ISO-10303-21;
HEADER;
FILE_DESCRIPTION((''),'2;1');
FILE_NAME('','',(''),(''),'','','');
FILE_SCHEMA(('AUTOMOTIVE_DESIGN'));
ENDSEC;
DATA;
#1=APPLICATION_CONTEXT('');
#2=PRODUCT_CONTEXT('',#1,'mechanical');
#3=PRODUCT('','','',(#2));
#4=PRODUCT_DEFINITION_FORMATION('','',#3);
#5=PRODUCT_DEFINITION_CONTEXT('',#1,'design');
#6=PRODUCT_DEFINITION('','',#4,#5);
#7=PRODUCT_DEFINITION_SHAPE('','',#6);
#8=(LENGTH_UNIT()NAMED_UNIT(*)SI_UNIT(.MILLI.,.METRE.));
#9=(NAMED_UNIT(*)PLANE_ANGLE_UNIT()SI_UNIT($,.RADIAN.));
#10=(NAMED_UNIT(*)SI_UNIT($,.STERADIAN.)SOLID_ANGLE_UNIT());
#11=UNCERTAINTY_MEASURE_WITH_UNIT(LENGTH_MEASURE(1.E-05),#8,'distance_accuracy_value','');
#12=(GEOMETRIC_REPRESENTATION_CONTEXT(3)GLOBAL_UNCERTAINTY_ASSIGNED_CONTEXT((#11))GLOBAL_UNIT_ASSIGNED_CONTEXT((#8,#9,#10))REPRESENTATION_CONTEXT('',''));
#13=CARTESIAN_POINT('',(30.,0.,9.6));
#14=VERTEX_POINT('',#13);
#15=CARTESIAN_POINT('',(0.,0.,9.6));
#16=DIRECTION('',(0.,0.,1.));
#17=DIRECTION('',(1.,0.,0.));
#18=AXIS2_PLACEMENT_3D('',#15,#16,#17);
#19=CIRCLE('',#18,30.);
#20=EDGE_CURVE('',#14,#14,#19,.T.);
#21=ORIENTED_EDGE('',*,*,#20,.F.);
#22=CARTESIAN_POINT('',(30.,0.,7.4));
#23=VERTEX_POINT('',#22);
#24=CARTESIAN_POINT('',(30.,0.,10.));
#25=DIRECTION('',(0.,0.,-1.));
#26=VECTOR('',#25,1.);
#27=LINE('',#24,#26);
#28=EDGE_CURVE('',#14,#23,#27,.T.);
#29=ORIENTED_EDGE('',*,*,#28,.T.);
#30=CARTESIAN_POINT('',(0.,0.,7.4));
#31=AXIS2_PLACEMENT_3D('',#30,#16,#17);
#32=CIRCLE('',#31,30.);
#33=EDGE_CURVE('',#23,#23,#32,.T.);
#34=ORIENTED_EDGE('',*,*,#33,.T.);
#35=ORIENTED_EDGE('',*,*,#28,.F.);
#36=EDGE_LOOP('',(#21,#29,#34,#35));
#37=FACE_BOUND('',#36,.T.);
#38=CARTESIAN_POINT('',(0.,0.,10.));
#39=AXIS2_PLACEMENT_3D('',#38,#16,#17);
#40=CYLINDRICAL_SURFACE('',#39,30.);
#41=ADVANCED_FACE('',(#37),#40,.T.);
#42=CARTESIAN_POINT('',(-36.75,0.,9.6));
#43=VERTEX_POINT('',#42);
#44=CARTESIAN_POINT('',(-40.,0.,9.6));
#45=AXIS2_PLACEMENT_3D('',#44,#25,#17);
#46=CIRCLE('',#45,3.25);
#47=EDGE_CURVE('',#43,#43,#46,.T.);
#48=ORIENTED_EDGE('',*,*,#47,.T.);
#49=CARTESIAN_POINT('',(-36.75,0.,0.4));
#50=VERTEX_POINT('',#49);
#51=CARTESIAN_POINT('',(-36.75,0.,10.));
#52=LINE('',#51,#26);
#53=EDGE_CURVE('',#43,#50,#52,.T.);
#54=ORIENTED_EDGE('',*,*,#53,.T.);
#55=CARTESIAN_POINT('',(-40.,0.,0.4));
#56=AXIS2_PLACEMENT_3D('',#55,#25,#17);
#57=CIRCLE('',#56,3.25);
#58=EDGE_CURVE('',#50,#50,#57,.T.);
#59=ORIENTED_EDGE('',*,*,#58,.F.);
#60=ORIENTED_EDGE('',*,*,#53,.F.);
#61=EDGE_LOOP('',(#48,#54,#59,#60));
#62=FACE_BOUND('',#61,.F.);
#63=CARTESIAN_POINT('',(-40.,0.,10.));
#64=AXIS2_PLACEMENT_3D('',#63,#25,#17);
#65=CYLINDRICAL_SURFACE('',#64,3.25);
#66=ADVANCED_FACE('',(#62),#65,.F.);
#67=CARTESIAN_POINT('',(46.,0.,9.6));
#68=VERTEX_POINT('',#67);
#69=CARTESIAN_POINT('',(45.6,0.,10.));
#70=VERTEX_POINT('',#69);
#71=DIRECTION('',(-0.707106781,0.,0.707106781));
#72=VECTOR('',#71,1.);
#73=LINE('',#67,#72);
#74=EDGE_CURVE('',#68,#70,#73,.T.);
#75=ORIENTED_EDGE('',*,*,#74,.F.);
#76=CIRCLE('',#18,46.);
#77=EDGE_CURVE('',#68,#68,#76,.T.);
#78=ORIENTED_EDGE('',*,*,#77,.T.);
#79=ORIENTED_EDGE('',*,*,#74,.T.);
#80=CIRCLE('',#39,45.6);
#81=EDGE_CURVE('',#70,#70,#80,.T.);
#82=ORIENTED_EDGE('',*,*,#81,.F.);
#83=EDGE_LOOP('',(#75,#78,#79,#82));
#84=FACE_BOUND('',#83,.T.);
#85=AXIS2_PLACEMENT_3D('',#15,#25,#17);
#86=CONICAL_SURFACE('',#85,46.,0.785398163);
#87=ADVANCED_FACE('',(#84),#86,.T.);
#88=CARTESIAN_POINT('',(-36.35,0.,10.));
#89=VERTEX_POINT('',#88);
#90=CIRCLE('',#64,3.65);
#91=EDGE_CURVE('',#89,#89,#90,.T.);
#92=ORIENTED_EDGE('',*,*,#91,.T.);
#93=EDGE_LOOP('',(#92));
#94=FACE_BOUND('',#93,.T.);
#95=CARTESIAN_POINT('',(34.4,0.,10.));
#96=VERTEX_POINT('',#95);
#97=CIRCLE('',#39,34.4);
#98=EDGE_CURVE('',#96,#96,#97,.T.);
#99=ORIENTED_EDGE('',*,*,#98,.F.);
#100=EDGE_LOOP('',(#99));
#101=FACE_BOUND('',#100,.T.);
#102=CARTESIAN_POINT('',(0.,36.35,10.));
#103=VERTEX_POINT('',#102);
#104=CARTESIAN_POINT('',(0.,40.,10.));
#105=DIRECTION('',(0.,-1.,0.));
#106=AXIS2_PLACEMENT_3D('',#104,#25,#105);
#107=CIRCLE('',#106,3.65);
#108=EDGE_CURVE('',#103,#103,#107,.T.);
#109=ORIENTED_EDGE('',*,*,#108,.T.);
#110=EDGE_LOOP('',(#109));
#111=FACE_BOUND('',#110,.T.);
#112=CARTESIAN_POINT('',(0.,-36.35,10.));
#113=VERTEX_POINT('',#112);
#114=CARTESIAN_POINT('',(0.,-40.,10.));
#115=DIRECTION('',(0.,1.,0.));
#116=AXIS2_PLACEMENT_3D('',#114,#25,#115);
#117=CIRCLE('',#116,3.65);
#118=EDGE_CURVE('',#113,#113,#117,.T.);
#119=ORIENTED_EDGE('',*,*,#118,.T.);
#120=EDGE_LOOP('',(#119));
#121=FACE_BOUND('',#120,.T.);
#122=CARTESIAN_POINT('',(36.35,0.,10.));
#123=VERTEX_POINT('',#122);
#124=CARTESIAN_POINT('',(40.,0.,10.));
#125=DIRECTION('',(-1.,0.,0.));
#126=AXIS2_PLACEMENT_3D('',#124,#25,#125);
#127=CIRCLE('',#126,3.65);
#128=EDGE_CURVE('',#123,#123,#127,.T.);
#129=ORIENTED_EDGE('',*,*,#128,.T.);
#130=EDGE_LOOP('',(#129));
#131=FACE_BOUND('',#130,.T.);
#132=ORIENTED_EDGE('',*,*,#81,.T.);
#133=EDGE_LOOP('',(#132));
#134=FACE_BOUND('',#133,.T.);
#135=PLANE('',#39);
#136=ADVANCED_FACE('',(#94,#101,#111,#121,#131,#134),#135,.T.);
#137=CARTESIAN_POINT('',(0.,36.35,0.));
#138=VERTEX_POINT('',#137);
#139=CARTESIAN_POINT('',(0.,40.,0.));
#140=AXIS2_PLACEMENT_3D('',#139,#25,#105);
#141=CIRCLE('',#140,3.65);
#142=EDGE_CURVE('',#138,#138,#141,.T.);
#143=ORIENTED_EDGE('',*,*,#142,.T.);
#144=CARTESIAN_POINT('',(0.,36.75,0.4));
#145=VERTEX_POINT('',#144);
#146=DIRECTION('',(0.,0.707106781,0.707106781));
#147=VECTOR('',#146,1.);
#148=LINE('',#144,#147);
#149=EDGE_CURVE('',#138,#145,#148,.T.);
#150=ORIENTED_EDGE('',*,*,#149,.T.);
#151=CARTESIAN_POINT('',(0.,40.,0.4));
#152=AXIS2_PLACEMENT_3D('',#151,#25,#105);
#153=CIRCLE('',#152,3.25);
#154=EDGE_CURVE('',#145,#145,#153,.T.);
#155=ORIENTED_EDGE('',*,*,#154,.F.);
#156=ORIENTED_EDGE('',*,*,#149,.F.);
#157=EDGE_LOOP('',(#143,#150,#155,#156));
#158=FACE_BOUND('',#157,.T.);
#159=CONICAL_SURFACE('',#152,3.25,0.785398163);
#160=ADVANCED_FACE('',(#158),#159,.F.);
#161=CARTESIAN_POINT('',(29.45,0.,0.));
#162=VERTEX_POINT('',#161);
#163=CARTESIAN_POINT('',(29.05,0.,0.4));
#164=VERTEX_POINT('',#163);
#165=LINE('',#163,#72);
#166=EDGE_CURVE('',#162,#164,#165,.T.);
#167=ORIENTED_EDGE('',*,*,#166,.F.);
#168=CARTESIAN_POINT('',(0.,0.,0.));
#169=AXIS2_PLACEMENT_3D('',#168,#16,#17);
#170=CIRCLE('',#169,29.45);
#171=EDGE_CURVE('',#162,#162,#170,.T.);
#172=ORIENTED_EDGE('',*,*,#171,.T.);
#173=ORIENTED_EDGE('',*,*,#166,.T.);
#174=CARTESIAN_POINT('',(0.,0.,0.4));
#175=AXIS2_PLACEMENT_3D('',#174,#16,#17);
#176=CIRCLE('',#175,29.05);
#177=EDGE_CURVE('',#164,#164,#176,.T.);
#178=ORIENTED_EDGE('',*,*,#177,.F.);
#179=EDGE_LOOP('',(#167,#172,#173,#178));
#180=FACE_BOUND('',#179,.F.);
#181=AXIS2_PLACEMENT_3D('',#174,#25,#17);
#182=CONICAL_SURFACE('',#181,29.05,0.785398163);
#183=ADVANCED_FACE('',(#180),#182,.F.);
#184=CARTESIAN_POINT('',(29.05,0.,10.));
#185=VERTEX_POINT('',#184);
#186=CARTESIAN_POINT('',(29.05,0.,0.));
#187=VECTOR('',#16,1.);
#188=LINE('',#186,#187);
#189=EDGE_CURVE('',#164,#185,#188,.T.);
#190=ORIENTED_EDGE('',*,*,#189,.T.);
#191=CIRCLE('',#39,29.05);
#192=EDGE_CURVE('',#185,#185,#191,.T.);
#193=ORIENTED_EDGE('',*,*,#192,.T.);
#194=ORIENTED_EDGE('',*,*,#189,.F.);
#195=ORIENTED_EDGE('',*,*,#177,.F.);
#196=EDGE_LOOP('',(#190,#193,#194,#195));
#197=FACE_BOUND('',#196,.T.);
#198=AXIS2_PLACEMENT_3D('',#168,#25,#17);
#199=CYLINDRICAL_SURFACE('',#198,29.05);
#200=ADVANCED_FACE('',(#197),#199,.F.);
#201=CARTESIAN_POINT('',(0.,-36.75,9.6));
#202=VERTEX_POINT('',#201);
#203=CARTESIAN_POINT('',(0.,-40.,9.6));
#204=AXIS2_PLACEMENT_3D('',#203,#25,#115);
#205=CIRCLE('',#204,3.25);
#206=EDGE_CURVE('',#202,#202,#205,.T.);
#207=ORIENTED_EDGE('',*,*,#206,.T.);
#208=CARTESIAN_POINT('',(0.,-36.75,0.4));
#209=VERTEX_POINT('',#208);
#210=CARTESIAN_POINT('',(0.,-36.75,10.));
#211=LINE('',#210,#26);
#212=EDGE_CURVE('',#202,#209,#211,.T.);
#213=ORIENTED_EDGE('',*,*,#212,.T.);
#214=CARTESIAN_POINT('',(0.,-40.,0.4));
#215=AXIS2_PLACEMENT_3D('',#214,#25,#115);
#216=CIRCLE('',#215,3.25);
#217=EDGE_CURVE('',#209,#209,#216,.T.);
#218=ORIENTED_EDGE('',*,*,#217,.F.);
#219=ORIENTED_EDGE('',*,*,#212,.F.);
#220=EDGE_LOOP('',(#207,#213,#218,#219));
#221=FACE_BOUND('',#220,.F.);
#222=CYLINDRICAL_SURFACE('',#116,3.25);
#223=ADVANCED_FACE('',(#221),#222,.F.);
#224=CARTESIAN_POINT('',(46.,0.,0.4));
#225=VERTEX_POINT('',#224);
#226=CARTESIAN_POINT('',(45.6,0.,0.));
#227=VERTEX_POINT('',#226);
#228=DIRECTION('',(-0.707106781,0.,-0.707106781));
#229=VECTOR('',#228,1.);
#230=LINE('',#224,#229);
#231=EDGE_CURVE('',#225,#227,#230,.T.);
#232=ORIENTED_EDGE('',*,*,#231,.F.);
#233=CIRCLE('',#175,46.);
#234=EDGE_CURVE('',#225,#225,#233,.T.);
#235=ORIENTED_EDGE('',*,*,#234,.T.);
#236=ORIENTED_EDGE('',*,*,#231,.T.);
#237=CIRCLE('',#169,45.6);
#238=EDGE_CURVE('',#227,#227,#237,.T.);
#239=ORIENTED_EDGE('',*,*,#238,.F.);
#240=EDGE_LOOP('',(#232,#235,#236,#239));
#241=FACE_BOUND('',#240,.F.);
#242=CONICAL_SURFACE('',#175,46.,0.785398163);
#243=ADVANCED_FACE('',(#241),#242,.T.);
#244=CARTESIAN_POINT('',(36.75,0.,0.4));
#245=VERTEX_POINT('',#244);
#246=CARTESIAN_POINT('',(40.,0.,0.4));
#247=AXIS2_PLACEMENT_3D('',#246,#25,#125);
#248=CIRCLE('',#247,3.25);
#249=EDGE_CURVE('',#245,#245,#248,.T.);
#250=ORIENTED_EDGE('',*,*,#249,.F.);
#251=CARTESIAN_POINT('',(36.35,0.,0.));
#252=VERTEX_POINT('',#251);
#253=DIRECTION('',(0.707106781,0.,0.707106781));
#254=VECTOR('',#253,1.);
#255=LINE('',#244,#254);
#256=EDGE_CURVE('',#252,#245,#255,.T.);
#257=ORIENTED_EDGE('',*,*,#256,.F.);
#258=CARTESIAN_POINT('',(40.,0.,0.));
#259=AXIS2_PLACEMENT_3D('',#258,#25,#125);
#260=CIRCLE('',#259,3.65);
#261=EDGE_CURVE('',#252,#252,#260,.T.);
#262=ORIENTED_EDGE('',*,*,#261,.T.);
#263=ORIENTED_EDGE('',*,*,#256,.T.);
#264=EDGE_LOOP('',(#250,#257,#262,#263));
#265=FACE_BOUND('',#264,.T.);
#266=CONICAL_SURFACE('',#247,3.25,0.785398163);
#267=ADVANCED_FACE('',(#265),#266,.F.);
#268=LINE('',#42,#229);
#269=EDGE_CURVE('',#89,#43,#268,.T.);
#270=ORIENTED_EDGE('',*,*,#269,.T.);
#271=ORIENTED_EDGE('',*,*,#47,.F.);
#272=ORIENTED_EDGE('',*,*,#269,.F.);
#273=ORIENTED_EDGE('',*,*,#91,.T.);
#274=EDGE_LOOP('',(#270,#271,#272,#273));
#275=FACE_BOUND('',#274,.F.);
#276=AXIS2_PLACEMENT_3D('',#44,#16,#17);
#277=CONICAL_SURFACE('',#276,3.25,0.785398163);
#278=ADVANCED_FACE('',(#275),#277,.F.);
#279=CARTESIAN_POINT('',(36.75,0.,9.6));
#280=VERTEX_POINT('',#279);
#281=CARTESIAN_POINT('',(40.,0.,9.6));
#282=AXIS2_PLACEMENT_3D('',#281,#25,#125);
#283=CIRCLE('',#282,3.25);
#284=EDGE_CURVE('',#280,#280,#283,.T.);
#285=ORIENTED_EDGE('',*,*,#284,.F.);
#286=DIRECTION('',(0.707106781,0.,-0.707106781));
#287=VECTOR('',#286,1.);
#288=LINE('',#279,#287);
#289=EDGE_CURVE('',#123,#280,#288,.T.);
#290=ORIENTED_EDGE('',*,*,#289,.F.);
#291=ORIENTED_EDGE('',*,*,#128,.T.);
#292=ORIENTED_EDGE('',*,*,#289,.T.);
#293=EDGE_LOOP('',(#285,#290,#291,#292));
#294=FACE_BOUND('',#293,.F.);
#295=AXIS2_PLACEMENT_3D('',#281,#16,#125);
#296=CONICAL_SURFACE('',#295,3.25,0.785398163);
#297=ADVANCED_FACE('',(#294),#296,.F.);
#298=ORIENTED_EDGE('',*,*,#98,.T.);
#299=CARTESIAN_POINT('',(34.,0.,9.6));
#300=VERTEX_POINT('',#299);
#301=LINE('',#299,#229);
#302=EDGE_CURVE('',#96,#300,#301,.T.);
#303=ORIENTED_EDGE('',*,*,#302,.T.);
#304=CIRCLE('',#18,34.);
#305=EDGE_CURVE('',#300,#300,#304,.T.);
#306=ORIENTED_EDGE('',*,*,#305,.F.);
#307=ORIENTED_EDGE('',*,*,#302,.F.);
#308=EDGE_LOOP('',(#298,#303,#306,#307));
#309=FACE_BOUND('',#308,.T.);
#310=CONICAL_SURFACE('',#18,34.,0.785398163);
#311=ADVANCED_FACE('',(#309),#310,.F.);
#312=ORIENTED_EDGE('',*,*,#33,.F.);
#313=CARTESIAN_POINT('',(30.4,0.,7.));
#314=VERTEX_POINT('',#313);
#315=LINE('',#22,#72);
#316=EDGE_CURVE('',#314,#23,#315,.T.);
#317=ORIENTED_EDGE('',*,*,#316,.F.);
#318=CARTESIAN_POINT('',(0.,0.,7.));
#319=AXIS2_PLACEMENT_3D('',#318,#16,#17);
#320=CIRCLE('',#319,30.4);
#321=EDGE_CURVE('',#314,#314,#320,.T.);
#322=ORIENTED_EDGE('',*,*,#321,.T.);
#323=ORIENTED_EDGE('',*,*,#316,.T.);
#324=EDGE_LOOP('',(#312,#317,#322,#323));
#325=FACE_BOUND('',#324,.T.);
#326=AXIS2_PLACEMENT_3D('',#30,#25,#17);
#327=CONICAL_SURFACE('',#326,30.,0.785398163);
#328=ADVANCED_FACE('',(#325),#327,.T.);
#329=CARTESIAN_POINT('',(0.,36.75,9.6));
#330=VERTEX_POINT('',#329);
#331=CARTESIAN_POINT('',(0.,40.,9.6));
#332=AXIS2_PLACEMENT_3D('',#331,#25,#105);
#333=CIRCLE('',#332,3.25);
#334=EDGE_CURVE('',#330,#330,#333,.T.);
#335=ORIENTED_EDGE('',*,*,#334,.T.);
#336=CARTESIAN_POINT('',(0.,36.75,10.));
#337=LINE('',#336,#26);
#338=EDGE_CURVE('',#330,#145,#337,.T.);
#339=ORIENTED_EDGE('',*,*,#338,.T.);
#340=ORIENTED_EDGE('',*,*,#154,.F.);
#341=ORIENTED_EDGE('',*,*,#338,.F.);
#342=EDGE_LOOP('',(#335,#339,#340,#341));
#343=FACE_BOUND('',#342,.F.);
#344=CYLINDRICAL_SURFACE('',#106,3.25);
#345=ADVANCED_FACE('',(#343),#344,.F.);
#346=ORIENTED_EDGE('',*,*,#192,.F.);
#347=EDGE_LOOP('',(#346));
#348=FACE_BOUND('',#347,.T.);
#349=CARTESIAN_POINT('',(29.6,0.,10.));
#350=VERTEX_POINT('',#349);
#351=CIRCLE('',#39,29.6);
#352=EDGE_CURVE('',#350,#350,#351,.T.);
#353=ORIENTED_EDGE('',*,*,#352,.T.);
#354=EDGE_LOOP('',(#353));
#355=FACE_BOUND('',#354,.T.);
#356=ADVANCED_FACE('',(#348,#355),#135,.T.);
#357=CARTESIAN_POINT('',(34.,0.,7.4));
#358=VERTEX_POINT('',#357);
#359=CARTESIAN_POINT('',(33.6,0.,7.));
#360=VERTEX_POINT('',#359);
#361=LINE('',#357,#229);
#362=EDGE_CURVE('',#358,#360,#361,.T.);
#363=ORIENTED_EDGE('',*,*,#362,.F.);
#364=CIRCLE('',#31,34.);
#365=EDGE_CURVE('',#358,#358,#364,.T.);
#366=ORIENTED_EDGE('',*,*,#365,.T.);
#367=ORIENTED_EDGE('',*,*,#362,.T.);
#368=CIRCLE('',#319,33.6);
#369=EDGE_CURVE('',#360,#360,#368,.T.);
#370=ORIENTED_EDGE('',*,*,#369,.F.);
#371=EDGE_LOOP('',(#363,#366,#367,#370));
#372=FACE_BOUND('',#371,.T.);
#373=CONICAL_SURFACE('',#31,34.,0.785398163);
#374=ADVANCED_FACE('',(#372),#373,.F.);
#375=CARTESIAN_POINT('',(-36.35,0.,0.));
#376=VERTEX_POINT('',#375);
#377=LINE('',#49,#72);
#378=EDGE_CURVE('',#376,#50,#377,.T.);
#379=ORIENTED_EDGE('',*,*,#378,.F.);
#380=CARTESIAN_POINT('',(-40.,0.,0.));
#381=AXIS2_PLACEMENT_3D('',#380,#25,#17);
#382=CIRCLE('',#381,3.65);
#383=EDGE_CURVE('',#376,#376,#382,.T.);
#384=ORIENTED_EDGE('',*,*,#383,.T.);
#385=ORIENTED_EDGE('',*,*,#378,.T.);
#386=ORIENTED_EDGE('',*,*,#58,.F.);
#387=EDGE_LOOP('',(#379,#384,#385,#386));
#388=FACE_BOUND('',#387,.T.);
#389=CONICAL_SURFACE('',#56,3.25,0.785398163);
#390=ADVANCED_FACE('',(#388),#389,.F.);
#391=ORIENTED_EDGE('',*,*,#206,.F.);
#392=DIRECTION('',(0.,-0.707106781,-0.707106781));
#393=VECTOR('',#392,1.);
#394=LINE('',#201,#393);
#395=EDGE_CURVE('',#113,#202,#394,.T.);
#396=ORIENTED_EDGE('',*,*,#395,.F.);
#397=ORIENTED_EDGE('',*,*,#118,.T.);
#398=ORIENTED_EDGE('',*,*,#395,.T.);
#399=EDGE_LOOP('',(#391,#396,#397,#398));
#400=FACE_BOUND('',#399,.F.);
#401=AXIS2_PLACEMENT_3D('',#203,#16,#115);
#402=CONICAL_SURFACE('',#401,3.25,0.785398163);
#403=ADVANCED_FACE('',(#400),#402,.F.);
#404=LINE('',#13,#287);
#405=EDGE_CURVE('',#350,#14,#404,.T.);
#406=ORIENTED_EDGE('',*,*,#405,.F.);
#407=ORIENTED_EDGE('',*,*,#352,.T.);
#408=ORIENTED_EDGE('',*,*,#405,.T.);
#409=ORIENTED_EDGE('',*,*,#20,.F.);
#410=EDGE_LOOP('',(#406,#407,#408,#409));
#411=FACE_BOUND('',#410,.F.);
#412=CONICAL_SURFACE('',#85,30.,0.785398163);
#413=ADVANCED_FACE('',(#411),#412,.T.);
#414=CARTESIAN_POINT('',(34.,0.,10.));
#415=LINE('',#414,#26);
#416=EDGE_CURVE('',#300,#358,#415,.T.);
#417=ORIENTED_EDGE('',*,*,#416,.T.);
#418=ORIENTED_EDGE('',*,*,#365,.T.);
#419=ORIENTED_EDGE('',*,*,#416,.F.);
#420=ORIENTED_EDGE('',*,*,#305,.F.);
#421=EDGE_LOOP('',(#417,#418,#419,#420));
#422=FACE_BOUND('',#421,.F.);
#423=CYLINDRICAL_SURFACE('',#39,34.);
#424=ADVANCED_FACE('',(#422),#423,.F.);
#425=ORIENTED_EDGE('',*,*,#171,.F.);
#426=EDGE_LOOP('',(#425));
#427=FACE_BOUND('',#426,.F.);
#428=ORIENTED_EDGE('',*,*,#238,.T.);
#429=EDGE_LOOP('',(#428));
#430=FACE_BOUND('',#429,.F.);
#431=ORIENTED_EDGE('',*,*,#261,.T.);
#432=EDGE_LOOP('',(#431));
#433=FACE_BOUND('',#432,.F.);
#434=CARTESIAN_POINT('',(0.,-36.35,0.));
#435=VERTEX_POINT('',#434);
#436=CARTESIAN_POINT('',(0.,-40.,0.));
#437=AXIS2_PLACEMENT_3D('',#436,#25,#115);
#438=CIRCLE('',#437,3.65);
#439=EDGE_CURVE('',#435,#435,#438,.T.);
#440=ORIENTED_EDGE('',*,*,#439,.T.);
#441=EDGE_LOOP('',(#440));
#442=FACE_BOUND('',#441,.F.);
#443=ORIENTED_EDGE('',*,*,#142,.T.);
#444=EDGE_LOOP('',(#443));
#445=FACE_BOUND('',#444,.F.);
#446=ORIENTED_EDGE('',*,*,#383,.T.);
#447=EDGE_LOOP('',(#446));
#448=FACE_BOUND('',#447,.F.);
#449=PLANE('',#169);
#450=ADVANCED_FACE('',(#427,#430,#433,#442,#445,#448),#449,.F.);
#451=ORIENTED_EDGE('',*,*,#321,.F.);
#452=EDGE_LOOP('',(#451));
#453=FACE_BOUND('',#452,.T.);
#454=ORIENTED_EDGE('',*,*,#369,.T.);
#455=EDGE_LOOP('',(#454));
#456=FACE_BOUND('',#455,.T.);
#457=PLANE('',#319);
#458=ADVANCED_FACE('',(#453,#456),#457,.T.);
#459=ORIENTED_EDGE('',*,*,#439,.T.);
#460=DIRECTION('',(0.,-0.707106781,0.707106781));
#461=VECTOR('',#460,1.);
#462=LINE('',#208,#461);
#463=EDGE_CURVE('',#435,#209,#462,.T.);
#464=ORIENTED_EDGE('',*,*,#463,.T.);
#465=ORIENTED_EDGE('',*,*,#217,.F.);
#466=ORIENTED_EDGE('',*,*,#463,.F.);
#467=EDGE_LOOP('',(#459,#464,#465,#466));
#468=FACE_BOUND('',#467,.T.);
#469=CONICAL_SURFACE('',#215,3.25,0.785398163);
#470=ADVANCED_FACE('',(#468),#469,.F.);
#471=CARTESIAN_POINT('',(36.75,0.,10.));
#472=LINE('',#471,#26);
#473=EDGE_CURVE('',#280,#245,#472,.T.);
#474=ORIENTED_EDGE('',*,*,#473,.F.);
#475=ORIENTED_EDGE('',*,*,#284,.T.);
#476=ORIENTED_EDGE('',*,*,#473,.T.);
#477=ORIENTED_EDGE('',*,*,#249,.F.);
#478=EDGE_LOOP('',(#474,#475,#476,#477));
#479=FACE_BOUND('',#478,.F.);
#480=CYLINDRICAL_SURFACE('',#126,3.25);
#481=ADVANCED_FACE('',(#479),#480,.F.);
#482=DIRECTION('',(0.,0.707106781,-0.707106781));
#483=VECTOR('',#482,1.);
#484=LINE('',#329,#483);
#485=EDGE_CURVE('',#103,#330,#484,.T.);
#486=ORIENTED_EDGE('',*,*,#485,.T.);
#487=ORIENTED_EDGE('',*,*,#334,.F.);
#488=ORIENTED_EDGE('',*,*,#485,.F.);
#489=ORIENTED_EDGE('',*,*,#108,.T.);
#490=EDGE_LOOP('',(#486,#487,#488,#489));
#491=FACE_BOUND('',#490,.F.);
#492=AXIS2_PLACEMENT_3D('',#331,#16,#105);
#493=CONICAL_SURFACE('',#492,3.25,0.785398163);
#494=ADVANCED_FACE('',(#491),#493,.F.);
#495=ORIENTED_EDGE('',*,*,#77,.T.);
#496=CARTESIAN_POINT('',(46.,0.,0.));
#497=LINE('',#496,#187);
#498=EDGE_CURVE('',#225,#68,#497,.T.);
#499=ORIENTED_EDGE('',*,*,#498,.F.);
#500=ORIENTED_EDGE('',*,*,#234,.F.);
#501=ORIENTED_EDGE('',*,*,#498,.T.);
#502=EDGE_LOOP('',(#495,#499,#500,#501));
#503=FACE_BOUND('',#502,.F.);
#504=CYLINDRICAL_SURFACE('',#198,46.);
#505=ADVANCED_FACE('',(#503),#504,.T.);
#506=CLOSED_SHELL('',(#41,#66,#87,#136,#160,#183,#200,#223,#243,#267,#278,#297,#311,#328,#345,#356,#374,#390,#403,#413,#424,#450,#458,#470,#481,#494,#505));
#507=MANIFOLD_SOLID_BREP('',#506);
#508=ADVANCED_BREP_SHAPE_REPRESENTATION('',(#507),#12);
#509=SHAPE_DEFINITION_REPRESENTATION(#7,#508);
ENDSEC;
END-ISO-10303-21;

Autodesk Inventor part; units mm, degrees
ref_plane "YZ Plane" through (0, 0, 0) normal (1, 0, 0) x (0, 1, 0)
ref_plane "XZ Plane" through (0, 0, 0) normal (0, 1, 0) x (-1, 0, 0)
ref_plane "XY Plane" through (0, 0, 0) normal (0, 0, 1) x (1, 0, 0)
sketch "Sketch1" plane through (0, 0, 0) normal (0, 0, 1) x (1, 0, 0)
  circle A0 centre (0, 0) radius 46
  circle A1 centre (0, 0) radius 29.05
  dimension "d0" = 58.1
  dimension "d1" = 92
extrude "Extrusion1" add sketch "Sketch1" along normal blind 10
sketch "Sketch2" plane through (0, 0, 10) normal (0, 0, 1) x (1, 0, 0)
  circle A0 centre (0, 0) radius 29.05 projected
  circle A1 centre (0, 0) radius 40 construction
  point P0 (0, 40)
  dimension "d4" = 80
hole "Hole1" at (0, 40, 10) direction (0, 0, -1) diameter 6.5 end through all
pattern_circular "Circular Pattern1" count 4 over 360 about axis through (0, 0, 0) along (0, 0, 1) of "Hole1"
sketch "Sketch4" plane through (0, 0, 10) normal (0, 0, 1) x (1, 0, 0)
  circle A0 centre (0, 0) radius 30
  circle A1 centre (0, 0) radius 34
  dimension "d15" = 60
  dimension "d16" = 68
extrude "Extrusion2" cut sketch "Sketch4" against normal blind 3
chamfer "Chamfer1" distance 0.4 angle 45 15 edges at (-46, 0, 0) (-46, 0, 10) (0, 43.25, 0) (-43.25, 0, 0) (43.25, 0, 0) (0, -43.25, 0) (43.25, 0, 10) (0, 43.25, 10) (0, -43.25, 10) (-43.25, 0, 10) (-29.05, 0, 0) (-34, 0, 10) (-34, 0, 7) (-30, 0, 7) (-30, 0, 10)
equation "\"d0\" = ID"
equation "\"d1\" = OD"
equation "\"OD\" = 92"
equation "\"ID\" = 58.1"
properties part number "pld_flange_groove_ak"
